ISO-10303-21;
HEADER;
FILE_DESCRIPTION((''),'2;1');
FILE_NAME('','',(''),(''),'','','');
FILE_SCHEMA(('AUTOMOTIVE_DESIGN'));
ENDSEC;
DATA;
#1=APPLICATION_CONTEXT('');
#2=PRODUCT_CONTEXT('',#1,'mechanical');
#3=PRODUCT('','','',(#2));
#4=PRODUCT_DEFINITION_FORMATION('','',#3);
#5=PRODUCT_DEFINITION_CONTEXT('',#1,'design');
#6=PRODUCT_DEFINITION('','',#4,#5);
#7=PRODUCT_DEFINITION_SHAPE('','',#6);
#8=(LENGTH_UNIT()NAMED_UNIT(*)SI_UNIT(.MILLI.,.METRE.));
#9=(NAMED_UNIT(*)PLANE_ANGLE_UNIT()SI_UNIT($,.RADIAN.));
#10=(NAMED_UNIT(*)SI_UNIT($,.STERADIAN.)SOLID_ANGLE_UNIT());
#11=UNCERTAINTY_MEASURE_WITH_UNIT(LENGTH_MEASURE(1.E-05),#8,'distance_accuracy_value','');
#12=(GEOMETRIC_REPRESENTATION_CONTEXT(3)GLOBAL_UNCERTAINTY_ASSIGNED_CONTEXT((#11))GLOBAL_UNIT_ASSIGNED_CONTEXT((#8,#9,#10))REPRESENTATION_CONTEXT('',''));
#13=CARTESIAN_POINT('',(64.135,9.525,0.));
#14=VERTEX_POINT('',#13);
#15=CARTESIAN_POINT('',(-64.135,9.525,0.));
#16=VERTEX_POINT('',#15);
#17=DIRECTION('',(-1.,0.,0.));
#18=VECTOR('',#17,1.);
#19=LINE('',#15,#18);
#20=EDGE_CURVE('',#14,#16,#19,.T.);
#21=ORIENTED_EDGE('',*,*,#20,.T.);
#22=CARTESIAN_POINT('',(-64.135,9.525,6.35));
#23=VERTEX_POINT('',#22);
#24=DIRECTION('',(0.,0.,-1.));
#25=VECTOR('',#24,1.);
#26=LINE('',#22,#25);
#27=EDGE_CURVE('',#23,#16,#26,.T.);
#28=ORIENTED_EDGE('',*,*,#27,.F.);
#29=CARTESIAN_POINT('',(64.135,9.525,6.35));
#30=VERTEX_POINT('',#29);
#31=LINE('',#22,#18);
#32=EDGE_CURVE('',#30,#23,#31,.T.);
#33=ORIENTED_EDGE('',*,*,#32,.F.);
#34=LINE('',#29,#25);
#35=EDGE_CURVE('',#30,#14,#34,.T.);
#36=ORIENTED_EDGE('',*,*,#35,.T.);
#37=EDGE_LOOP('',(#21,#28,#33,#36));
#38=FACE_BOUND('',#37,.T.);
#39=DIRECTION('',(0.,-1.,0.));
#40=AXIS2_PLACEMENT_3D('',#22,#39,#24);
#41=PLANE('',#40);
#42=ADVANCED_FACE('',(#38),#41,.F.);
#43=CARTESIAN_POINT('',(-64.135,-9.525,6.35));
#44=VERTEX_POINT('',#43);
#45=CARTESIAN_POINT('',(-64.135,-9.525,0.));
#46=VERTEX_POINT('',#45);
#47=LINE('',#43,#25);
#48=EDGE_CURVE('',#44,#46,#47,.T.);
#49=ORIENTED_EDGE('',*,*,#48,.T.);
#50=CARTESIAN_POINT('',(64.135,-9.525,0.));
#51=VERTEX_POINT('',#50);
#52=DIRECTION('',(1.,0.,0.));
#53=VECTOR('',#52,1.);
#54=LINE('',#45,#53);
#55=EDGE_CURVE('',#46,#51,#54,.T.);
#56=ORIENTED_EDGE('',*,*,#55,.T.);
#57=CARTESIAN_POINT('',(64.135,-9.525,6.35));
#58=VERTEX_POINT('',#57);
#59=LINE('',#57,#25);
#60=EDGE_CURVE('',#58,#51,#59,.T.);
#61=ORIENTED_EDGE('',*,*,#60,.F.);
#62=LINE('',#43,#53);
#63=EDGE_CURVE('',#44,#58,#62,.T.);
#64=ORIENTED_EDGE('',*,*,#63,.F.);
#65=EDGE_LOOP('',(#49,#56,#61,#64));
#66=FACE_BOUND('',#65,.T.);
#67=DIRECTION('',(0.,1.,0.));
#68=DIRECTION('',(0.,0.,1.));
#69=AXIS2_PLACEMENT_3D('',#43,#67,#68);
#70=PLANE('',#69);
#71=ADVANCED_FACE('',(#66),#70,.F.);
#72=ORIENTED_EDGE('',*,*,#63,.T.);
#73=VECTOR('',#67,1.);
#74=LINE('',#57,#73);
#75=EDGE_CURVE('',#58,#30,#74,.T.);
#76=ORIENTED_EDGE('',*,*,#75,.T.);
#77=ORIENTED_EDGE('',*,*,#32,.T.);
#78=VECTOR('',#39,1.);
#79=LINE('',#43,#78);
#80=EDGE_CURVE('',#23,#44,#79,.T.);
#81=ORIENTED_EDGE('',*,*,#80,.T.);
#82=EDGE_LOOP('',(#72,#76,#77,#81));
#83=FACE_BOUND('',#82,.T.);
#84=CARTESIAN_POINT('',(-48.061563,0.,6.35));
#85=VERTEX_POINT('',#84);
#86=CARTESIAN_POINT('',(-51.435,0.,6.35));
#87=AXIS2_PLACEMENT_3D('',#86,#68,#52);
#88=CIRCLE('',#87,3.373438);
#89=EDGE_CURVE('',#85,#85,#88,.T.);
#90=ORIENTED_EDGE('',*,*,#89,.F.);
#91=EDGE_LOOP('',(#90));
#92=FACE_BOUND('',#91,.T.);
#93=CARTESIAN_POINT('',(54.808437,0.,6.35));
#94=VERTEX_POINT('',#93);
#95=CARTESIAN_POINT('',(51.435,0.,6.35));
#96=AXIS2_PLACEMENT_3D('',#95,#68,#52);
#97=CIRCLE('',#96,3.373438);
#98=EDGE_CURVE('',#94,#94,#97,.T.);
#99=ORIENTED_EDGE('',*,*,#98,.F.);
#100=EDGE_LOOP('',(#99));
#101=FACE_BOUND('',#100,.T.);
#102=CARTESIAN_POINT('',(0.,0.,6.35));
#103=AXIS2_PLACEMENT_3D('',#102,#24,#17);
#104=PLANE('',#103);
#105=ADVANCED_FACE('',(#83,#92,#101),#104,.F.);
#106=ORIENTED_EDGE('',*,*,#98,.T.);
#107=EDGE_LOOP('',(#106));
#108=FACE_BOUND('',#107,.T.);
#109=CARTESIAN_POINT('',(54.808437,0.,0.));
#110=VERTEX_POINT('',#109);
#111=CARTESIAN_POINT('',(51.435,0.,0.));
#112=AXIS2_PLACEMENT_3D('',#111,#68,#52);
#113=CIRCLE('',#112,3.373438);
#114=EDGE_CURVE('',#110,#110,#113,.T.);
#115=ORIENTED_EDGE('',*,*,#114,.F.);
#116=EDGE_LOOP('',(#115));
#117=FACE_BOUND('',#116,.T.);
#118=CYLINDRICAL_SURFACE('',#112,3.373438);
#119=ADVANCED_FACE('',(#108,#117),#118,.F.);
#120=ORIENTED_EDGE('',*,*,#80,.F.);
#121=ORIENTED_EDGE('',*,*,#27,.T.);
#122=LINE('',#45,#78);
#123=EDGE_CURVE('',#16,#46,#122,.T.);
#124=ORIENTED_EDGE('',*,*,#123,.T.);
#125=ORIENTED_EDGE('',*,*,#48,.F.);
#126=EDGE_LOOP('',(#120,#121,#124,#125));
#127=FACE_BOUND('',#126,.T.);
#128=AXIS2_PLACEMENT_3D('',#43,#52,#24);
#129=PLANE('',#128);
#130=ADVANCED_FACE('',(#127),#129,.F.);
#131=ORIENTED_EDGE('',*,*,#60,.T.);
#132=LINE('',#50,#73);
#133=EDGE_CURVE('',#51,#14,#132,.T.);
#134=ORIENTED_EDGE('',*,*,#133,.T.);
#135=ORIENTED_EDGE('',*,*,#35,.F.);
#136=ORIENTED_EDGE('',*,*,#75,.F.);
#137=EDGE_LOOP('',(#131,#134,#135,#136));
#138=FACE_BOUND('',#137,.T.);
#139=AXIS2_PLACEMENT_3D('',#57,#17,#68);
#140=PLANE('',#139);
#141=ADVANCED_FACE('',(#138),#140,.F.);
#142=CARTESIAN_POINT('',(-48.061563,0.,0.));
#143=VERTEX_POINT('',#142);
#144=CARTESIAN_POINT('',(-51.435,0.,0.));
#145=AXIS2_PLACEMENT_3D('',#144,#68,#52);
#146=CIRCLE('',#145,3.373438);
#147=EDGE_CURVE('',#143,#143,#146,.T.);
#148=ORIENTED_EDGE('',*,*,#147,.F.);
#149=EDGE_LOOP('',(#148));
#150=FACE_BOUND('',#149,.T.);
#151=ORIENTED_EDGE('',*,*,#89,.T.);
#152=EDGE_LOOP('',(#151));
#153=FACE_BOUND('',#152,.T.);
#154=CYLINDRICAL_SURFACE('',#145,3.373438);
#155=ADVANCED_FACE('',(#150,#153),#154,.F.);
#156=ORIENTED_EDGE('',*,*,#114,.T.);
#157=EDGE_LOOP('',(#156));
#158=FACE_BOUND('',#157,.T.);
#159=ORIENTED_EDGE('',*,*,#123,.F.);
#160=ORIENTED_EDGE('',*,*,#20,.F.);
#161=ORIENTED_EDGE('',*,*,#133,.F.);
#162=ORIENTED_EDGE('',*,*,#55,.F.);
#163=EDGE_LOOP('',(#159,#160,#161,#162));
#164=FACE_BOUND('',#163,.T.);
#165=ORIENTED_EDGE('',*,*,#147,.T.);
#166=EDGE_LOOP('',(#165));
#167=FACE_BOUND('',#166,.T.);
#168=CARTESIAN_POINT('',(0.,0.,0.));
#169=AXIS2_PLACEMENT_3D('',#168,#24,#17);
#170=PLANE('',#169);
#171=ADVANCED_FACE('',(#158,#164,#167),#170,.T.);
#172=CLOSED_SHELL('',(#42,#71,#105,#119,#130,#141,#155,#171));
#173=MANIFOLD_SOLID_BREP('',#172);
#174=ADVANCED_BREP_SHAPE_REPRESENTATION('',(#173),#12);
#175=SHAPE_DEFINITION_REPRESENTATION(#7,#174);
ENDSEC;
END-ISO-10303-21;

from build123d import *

# Parameters (mm, degrees)
SKETCH1_W           = 128.27
SKETCH1_H           = 19.05
BOSS_EXTRUDE1_DEPTH = 6.35
SKETCH2_R           = 3.3734375
CUT_EXTRUDE1_DEPTH  = 6.35


with BuildPart() as part:
    # Sketch1 → Boss-Extrude1 (new body)
    with BuildSketch(Plane.XY):
        Rectangle(SKETCH1_W, SKETCH1_H)
    extrude(amount=BOSS_EXTRUDE1_DEPTH)

    # Sketch2 → Cut-Extrude1 (cut)
    with BuildSketch(Plane.XY.offset(6.35)):
        with Locations((-51.435, 0)):
            Circle(SKETCH2_R)
        with Locations((51.435, 0)):
            Circle(SKETCH2_R)
    extrude(amount=-CUT_EXTRUDE1_DEPTH, mode=Mode.SUBTRACT)


solid = part.part
